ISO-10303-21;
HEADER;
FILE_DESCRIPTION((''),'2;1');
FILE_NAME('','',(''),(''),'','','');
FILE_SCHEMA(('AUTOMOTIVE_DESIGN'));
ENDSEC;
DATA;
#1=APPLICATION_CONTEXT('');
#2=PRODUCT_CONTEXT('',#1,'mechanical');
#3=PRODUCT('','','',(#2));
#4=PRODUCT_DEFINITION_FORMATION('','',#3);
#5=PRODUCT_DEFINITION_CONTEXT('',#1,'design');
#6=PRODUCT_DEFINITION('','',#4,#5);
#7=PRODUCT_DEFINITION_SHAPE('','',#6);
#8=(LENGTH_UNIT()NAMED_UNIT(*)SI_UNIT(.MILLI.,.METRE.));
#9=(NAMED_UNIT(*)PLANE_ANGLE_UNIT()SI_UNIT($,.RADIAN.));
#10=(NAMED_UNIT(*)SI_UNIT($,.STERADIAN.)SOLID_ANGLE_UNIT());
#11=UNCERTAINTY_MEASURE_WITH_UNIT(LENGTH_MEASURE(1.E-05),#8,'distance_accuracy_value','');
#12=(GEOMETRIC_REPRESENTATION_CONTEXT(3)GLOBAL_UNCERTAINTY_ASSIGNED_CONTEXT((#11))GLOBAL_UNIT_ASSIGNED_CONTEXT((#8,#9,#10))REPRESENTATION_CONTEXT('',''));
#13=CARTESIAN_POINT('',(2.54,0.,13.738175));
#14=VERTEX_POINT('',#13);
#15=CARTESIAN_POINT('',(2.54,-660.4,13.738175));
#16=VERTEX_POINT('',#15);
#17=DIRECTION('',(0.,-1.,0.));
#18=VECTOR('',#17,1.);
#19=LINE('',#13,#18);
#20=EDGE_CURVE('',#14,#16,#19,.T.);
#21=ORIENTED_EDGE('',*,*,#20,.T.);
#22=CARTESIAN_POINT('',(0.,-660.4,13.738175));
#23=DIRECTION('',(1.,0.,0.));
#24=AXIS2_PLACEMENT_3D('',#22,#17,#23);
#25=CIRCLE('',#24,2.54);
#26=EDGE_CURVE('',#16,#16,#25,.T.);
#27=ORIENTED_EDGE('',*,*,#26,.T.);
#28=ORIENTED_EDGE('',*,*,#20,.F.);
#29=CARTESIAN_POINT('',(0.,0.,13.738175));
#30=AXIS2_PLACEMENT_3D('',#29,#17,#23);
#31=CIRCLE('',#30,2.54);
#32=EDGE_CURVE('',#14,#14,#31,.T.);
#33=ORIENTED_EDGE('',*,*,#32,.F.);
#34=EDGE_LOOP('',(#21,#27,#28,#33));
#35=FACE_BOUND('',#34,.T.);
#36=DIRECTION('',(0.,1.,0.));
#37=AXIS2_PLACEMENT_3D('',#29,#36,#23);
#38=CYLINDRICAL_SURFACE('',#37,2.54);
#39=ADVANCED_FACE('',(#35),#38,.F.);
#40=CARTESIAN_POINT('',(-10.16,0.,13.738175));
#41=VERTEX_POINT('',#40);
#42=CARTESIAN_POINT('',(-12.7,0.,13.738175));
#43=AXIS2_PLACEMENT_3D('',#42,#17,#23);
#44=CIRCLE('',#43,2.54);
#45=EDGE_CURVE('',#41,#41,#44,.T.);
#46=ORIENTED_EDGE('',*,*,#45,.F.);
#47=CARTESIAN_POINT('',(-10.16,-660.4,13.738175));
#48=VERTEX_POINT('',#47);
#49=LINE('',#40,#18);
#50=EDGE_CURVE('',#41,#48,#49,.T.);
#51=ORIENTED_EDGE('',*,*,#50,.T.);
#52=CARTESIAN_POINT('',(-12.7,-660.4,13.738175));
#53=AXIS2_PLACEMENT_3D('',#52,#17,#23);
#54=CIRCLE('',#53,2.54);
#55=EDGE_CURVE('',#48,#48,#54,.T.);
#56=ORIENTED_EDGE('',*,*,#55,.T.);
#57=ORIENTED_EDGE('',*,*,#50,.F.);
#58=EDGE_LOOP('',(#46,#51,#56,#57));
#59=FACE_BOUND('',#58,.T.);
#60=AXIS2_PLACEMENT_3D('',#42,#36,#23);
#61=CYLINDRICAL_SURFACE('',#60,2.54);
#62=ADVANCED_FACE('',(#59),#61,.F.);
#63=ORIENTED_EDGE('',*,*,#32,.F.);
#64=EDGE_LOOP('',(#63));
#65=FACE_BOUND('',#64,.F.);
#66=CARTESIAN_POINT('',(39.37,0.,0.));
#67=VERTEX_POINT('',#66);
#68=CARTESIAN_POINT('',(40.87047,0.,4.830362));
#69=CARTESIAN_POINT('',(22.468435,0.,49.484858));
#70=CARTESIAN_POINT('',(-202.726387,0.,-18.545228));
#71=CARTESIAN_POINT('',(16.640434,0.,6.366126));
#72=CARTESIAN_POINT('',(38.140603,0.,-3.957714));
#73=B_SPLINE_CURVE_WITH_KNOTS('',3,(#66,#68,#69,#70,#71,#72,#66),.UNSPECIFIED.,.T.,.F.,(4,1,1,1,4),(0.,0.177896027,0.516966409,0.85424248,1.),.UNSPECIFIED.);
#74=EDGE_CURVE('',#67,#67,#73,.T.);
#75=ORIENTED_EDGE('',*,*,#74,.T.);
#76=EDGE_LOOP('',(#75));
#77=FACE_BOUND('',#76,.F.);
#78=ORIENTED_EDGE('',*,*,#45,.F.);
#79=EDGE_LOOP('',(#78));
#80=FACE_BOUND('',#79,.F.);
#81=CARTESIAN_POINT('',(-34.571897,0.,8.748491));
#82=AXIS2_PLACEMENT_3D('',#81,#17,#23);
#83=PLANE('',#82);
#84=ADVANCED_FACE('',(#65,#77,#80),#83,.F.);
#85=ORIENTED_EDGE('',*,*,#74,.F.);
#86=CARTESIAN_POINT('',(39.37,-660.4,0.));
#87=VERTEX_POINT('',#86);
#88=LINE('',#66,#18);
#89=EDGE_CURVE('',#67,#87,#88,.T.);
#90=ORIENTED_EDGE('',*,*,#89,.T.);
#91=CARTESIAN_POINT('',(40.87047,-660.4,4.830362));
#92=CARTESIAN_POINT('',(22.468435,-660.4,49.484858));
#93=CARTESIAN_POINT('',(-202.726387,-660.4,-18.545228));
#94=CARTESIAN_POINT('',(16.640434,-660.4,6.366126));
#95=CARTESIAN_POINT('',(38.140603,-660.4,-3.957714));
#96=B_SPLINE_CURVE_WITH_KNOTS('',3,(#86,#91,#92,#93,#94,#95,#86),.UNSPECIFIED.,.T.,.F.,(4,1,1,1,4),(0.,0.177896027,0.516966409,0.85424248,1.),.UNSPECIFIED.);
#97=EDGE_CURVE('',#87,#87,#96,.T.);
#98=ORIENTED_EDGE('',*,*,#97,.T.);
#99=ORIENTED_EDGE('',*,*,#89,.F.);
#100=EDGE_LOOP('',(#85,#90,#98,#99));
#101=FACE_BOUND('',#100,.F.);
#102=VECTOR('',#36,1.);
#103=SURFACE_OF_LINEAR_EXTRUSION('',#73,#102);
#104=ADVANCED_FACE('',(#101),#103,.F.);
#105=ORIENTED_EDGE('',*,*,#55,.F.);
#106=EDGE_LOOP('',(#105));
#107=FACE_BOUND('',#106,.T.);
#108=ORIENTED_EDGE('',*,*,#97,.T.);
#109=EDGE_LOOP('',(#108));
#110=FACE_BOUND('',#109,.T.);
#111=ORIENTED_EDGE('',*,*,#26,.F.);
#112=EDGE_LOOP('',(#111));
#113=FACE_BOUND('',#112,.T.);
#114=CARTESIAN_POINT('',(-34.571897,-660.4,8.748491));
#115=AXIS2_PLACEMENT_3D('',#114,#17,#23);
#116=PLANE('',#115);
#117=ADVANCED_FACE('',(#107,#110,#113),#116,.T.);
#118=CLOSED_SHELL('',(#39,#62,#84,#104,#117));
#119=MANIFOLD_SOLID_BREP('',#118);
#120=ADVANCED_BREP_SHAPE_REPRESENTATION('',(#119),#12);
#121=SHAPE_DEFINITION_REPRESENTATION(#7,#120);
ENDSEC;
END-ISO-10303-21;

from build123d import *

# Parameters (mm, degrees)
F0_R     = 2.54
F1_DEPTH = 660.4


with BuildPart() as f1:
    # F0 (on Front) → F1 (new body)
    with BuildSketch(Plane.XZ):
        with BuildLine():
            add(Edge.make_bspline(
                [(39.37, 0), (40.8704699325, 4.8303623927), (22.4684353667, 49.4848584793), (-202.7263870887, -18.545227518), (16.6404338561, 6.3661263874), (38.1406033634, -3.9577142805), (39.37, 0)],
                knots=[0, 0, 0, 0, 0.1778960266, 0.516966409, 0.8542424796, 1, 1, 1, 1], degree=3))
        make_face()
        with Locations((-12.7, 13.7381749228)):
            Circle(F0_R, mode=Mode.SUBTRACT)
        with Locations((0, 13.7381749228)):
            Circle(F0_R, mode=Mode.SUBTRACT)
    extrude(amount=F1_DEPTH)


solid = f1.part
